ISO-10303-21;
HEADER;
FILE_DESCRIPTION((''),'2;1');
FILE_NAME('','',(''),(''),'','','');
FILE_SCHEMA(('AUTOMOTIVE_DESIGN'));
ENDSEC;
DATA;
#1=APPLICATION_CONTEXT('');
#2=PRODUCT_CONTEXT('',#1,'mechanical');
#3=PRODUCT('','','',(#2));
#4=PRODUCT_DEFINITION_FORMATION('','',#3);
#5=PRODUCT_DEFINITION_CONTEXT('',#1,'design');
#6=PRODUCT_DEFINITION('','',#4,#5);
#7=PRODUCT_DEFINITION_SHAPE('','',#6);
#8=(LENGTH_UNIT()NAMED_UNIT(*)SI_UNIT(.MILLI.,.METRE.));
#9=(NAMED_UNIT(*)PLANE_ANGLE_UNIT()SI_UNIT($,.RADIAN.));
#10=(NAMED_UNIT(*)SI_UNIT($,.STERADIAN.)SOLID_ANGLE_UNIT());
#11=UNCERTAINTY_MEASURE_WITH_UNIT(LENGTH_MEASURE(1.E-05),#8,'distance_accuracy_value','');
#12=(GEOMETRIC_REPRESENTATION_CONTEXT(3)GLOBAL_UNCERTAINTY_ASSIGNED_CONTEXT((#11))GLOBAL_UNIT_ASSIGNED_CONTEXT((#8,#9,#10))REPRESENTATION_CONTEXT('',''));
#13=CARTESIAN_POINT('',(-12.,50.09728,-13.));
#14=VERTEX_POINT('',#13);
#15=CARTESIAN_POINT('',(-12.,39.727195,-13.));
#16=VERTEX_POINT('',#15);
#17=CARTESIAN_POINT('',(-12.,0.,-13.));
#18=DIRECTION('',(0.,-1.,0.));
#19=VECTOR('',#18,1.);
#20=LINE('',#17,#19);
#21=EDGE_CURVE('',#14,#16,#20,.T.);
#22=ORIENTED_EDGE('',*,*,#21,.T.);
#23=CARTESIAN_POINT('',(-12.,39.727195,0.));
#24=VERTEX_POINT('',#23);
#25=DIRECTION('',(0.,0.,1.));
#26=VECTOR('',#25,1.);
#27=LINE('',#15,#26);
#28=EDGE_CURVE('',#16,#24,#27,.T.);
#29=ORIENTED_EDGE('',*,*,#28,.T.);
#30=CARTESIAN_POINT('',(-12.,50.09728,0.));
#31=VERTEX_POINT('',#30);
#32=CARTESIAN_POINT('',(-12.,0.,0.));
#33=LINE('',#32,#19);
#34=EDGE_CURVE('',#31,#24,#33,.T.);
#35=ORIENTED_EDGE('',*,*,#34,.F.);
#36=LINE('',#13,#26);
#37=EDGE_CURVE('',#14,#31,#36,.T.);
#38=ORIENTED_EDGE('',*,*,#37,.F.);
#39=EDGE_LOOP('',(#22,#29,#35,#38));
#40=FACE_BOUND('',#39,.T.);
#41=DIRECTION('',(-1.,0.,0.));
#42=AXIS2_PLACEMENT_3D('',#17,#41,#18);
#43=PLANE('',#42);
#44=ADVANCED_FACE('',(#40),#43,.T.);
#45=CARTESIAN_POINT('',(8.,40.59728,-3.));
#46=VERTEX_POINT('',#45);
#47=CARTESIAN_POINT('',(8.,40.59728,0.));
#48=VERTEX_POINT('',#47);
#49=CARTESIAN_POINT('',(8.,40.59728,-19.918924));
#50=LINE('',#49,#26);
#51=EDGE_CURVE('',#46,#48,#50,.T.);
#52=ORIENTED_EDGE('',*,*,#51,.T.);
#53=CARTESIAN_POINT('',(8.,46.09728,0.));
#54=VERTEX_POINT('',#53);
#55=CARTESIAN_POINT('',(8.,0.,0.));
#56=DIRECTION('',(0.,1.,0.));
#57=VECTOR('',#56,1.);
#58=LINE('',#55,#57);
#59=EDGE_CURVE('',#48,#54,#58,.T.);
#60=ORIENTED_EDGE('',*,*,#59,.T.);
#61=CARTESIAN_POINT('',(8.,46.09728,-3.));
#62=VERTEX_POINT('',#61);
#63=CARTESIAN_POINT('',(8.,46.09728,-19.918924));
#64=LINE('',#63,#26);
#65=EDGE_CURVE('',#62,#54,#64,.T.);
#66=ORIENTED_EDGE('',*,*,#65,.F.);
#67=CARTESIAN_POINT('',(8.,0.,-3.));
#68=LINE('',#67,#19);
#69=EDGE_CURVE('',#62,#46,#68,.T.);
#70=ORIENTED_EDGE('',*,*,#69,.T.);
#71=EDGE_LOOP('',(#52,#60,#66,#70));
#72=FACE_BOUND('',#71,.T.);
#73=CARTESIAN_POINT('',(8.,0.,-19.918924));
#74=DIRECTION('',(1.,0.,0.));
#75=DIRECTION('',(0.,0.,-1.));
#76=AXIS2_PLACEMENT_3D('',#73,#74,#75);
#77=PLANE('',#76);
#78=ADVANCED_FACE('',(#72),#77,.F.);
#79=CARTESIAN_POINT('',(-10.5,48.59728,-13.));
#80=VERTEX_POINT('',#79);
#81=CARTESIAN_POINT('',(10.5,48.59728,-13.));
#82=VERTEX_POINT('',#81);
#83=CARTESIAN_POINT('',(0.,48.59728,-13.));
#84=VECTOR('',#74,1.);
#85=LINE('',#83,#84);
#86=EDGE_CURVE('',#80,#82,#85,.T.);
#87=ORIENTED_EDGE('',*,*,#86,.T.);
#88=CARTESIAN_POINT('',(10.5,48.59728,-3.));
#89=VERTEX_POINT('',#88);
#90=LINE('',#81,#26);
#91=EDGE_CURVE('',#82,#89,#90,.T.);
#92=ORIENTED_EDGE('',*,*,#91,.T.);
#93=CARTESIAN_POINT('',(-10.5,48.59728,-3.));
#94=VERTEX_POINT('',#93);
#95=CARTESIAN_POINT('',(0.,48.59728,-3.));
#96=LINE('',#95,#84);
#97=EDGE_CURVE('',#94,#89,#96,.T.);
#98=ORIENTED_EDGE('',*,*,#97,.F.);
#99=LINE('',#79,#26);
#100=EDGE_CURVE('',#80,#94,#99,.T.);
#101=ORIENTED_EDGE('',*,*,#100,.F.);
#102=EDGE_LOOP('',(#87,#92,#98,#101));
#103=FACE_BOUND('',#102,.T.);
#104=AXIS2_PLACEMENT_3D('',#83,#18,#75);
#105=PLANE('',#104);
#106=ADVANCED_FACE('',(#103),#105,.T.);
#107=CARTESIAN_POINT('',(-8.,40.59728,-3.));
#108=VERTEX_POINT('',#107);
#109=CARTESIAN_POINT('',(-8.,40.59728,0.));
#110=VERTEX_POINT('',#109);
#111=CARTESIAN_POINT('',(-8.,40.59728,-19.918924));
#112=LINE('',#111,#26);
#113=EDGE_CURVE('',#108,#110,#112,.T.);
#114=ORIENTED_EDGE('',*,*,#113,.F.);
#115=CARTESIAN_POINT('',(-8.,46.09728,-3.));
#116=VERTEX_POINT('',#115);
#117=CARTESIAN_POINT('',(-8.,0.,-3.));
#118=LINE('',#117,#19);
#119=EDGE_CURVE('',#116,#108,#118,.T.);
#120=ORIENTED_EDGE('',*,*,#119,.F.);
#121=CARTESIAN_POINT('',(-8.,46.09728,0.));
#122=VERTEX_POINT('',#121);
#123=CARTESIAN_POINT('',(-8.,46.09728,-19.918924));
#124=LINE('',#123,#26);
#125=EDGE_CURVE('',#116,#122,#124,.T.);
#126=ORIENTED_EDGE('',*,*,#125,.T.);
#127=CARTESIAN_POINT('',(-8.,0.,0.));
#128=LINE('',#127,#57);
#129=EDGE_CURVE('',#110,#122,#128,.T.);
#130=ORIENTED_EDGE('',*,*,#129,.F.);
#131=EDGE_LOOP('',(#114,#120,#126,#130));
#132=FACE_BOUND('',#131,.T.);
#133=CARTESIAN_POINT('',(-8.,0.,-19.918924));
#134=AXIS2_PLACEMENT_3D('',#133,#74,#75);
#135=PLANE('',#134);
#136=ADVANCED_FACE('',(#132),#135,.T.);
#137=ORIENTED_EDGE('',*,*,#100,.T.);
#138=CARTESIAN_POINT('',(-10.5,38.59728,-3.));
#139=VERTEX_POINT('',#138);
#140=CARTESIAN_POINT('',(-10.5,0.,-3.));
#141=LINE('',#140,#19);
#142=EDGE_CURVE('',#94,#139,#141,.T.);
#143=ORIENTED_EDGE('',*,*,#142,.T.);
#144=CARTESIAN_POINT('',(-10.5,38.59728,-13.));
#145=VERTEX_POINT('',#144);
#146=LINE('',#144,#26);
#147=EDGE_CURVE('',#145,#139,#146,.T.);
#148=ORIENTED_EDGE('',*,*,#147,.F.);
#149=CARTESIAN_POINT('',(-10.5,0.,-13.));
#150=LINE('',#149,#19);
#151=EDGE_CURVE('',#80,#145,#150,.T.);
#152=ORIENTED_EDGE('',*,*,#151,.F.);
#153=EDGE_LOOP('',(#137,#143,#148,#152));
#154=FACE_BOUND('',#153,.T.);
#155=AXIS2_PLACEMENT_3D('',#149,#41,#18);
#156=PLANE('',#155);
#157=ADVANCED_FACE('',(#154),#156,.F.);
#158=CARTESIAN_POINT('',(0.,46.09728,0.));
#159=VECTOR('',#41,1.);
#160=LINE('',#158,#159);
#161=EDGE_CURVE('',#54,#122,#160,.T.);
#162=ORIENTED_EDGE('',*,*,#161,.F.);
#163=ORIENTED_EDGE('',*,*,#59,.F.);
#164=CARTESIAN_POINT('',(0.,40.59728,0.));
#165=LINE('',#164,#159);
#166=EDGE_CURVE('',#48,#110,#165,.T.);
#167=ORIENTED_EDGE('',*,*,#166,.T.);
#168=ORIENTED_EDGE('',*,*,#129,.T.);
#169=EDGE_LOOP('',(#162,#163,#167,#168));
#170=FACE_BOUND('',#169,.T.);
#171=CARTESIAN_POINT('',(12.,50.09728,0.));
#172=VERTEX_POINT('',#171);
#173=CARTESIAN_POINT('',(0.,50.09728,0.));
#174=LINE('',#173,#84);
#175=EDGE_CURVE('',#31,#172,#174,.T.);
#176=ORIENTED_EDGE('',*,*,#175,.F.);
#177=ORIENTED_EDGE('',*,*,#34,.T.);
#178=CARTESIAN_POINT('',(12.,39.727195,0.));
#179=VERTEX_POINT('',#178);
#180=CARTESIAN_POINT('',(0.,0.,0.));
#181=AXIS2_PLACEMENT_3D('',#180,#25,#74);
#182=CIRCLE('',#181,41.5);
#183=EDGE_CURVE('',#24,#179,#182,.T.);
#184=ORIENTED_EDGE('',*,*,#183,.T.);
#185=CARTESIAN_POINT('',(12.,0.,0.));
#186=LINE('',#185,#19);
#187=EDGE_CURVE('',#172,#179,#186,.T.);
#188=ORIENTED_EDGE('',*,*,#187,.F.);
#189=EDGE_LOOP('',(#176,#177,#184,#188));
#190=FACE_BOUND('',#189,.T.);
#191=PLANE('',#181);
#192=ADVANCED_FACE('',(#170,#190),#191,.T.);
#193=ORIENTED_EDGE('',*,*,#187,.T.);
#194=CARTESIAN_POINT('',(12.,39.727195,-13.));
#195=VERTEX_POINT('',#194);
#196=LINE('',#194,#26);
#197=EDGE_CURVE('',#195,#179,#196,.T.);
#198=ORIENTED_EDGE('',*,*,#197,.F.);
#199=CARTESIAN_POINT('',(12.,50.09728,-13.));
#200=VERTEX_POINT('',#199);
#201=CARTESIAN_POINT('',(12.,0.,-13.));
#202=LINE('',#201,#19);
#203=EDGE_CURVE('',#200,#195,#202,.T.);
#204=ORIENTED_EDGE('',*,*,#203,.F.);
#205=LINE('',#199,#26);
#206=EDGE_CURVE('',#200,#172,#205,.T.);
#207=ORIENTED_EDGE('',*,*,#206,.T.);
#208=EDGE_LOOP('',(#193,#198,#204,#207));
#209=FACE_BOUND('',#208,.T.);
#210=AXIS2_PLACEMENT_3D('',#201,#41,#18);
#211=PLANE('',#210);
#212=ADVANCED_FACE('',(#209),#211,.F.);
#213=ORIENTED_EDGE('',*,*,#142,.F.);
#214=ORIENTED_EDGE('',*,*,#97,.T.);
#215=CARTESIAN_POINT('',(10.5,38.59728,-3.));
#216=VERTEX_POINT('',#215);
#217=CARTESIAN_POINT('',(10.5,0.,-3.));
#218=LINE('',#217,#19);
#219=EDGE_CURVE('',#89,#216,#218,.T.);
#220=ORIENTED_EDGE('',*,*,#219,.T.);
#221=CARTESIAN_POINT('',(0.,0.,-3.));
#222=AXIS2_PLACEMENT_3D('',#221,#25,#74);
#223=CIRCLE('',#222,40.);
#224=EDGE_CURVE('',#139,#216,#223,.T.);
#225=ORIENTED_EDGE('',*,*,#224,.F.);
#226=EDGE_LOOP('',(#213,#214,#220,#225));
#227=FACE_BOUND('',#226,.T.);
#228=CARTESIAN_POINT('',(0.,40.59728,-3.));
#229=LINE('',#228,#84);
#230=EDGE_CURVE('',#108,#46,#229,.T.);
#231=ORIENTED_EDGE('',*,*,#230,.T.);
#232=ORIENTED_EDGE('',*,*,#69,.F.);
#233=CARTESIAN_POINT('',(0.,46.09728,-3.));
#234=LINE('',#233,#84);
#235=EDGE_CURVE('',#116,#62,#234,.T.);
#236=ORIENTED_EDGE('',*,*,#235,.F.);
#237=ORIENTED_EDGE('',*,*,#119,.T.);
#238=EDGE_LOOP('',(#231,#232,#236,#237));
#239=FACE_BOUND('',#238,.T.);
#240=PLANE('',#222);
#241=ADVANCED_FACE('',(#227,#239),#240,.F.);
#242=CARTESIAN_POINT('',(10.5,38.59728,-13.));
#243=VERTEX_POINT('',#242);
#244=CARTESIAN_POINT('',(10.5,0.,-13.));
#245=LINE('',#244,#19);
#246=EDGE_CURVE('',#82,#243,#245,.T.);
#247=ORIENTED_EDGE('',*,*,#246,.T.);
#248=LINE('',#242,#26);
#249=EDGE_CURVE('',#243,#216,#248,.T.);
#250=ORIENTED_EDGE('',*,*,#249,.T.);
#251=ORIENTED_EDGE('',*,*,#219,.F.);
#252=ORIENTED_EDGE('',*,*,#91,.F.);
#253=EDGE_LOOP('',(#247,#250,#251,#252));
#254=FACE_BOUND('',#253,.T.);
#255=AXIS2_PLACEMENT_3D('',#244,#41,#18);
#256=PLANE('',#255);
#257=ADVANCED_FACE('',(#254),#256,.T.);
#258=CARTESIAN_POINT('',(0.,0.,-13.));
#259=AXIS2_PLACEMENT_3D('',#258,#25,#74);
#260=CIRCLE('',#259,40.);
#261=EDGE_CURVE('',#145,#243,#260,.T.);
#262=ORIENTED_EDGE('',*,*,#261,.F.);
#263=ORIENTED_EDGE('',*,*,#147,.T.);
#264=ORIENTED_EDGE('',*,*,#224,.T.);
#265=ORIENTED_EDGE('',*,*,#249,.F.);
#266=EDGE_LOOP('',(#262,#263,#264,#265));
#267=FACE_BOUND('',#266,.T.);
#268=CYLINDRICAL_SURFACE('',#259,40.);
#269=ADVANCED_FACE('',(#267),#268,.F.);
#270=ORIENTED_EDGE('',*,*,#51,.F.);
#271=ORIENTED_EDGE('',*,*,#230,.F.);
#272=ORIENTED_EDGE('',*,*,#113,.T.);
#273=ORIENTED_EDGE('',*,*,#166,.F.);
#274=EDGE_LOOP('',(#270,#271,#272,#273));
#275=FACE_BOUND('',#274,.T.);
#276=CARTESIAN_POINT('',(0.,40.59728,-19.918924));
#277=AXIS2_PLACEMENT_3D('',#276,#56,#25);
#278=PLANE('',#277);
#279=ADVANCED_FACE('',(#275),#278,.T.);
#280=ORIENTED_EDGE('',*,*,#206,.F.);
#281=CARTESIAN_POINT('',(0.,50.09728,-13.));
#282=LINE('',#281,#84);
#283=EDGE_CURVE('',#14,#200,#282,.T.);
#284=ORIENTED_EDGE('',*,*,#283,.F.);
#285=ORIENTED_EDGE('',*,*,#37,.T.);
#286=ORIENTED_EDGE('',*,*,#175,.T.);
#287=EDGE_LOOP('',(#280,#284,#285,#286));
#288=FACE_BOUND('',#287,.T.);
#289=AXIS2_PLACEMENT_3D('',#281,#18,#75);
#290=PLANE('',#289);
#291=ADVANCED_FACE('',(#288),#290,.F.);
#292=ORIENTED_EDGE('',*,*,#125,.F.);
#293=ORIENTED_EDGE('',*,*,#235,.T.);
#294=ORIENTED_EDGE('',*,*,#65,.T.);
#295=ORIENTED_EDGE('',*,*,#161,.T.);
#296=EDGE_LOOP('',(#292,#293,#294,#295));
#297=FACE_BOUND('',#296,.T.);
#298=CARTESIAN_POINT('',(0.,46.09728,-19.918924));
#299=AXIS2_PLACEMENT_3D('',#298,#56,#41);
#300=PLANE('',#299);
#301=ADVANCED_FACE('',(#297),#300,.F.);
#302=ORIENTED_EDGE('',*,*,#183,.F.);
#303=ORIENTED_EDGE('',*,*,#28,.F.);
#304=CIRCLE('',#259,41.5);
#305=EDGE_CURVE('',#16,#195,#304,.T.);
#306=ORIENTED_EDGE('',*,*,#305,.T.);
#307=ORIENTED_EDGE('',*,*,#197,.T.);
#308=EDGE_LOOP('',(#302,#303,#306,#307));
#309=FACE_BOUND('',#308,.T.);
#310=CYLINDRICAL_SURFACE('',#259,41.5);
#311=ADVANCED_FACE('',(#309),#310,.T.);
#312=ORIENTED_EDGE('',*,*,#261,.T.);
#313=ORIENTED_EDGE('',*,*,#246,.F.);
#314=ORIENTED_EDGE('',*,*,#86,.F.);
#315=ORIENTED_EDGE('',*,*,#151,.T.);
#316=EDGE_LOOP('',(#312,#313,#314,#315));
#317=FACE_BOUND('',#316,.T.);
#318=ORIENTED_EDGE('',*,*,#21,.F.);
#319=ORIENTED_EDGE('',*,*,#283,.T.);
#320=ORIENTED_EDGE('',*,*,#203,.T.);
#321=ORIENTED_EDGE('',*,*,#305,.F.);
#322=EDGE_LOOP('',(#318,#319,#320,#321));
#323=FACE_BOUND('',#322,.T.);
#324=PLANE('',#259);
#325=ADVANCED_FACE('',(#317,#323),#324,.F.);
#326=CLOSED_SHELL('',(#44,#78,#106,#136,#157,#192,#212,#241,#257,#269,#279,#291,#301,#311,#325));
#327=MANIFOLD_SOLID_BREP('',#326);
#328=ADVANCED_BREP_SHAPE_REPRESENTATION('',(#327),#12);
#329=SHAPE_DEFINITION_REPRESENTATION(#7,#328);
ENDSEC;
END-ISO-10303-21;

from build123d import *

# Parameters (mm, degrees)
BOSS_EXTRUDE1_DEPTH = 13
BOSS_EXTRUDE2_DEPTH = 3
CUT_EXTRUDE1_START  = -3
SKETCH2_W           = 16
SKETCH2_H           = 5.5
CUT_EXTRUDE1_DEPTH  = 3


with BuildPart() as part:
    # Sketch1 → Boss-Extrude1 (new body)
    with BuildSketch(Plane.XY):
        with BuildLine():
            Line((-10.5, 40.1497198), (-10.5, 48.597279697))
            Line((-10.5, 48.597279697), (10.5, 48.597279697))
            Line((10.5, 48.597279697), (10.5, 40.1497198))
            ThreePointArc((10.5, 40.1497198), (11.251983463, 39.945498722), (12, 39.727194716))
            Line((12, 39.727194716), (12, 50.097279697))
            Line((12, 50.097279697), (-12, 50.097279697))
            Line((-12, 50.097279697), (-12, 39.727194716))
            ThreePointArc((-12, 39.727194716), (-11.251983463, 39.945498722), (-10.5, 40.1497198))
        make_face()
        with BuildLine():
            ThreePointArc((12, 39.727194716), (11.251983463, 39.945498722), (10.5, 40.1497198))
            Line((10.5, 40.1497198), (10.5, 38.597279697))
            ThreePointArc((10.5, 38.597279697), (11.252148087, 38.384751705), (12, 38.157568057))
            Line((12, 38.157568057), (12, 39.727194716))
        make_face()
        with BuildLine():
            Line((-12, 38.157568057), (-12, 39.727194716))
            ThreePointArc((-12, 39.727194716), (-24.741160037, -33.318538383), (41.5, 0))
            ThreePointArc((41.5, 0), (33.318538383, 24.741160037), (12, 39.727194716))
            Line((12, 39.727194716), (12, 38.157568057))
            ThreePointArc((12, 38.157568057), (32.249030993, 23.664319132), (40, 0))
            ThreePointArc((40, 0), (-23.664319132, -32.249030993), (-12, 38.157568057))
        make_face()
        with BuildLine():
            Line((-10.5, 38.597279697), (-10.5, 40.1497198))
            ThreePointArc((-10.5, 40.1497198), (-11.251983463, 39.945498722), (-12, 39.727194716))
            Line((-12, 39.727194716), (-12, 38.157568057))
            ThreePointArc((-12, 38.157568057), (-11.252148087, 38.384751705), (-10.5, 38.597279697))
        make_face()
    extrude(amount=-BOSS_EXTRUDE1_DEPTH)

    # Sketch1_3 → Boss-Extrude2 (add)
    with BuildSketch(Plane.XY):
        with BuildLine():
            Line((-12, 37.097279697), (-12, 38.157568057))
            ThreePointArc((-12, 38.157568057), (-23.664319132, -32.249030993), (40, 0))
            ThreePointArc((40, 0), (32.249030993, 23.664319132), (12, 38.157568057))
            Line((12, 38.157568057), (12, 37.097279697))
            Line((12, 37.097279697), (-12, 37.097279697))
        make_face()
        with BuildLine():
            Line((10.5, 38.597279697), (-10.5, 38.597279697))
            ThreePointArc((-10.5, 38.597279697), (-11.252148087, 38.384751705), (-12, 38.157568057))
            Line((-12, 38.157568057), (-12, 37.097279697))
            Line((-12, 37.097279697), (12, 37.097279697))
            Line((12, 37.097279697), (12, 38.157568057))
            ThreePointArc((12, 38.157568057), (11.252148087, 38.384751705), (10.5, 38.597279697))
        make_face()
        with BuildLine():
            ThreePointArc((10.5, 38.597279697), (0, 40), (-10.5, 38.597279697))
            Line((-10.5, 38.597279697), (10.5, 38.597279697))
        make_face()
        with BuildLine():
            ThreePointArc((10.5, 40.1497198), (0, 41.5), (-10.5, 40.1497198))
            Line((-10.5, 40.1497198), (-10.5, 38.597279697))
            ThreePointArc((-10.5, 38.597279697), (0, 40), (10.5, 38.597279697))
            Line((10.5, 38.597279697), (10.5, 40.1497198))
        make_face()
        with BuildLine():
            Line((10.5, 48.597279697), (-10.5, 48.597279697))
            Line((-10.5, 48.597279697), (-10.5, 40.1497198))
            ThreePointArc((-10.5, 40.1497198), (0, 41.5), (10.5, 40.1497198))
            Line((10.5, 40.1497198), (10.5, 48.597279697))
        make_face()
    extrude(amount=-BOSS_EXTRUDE2_DEPTH)

    # Sketch2 → Cut-Extrude1 (cut)
    with BuildSketch(Plane.XY.offset(CUT_EXTRUDE1_START)):
        with Locations((0, 43.347279697)):
            Rectangle(SKETCH2_W, SKETCH2_H)
    extrude(amount=CUT_EXTRUDE1_DEPTH, mode=Mode.SUBTRACT)


solid = part.part
